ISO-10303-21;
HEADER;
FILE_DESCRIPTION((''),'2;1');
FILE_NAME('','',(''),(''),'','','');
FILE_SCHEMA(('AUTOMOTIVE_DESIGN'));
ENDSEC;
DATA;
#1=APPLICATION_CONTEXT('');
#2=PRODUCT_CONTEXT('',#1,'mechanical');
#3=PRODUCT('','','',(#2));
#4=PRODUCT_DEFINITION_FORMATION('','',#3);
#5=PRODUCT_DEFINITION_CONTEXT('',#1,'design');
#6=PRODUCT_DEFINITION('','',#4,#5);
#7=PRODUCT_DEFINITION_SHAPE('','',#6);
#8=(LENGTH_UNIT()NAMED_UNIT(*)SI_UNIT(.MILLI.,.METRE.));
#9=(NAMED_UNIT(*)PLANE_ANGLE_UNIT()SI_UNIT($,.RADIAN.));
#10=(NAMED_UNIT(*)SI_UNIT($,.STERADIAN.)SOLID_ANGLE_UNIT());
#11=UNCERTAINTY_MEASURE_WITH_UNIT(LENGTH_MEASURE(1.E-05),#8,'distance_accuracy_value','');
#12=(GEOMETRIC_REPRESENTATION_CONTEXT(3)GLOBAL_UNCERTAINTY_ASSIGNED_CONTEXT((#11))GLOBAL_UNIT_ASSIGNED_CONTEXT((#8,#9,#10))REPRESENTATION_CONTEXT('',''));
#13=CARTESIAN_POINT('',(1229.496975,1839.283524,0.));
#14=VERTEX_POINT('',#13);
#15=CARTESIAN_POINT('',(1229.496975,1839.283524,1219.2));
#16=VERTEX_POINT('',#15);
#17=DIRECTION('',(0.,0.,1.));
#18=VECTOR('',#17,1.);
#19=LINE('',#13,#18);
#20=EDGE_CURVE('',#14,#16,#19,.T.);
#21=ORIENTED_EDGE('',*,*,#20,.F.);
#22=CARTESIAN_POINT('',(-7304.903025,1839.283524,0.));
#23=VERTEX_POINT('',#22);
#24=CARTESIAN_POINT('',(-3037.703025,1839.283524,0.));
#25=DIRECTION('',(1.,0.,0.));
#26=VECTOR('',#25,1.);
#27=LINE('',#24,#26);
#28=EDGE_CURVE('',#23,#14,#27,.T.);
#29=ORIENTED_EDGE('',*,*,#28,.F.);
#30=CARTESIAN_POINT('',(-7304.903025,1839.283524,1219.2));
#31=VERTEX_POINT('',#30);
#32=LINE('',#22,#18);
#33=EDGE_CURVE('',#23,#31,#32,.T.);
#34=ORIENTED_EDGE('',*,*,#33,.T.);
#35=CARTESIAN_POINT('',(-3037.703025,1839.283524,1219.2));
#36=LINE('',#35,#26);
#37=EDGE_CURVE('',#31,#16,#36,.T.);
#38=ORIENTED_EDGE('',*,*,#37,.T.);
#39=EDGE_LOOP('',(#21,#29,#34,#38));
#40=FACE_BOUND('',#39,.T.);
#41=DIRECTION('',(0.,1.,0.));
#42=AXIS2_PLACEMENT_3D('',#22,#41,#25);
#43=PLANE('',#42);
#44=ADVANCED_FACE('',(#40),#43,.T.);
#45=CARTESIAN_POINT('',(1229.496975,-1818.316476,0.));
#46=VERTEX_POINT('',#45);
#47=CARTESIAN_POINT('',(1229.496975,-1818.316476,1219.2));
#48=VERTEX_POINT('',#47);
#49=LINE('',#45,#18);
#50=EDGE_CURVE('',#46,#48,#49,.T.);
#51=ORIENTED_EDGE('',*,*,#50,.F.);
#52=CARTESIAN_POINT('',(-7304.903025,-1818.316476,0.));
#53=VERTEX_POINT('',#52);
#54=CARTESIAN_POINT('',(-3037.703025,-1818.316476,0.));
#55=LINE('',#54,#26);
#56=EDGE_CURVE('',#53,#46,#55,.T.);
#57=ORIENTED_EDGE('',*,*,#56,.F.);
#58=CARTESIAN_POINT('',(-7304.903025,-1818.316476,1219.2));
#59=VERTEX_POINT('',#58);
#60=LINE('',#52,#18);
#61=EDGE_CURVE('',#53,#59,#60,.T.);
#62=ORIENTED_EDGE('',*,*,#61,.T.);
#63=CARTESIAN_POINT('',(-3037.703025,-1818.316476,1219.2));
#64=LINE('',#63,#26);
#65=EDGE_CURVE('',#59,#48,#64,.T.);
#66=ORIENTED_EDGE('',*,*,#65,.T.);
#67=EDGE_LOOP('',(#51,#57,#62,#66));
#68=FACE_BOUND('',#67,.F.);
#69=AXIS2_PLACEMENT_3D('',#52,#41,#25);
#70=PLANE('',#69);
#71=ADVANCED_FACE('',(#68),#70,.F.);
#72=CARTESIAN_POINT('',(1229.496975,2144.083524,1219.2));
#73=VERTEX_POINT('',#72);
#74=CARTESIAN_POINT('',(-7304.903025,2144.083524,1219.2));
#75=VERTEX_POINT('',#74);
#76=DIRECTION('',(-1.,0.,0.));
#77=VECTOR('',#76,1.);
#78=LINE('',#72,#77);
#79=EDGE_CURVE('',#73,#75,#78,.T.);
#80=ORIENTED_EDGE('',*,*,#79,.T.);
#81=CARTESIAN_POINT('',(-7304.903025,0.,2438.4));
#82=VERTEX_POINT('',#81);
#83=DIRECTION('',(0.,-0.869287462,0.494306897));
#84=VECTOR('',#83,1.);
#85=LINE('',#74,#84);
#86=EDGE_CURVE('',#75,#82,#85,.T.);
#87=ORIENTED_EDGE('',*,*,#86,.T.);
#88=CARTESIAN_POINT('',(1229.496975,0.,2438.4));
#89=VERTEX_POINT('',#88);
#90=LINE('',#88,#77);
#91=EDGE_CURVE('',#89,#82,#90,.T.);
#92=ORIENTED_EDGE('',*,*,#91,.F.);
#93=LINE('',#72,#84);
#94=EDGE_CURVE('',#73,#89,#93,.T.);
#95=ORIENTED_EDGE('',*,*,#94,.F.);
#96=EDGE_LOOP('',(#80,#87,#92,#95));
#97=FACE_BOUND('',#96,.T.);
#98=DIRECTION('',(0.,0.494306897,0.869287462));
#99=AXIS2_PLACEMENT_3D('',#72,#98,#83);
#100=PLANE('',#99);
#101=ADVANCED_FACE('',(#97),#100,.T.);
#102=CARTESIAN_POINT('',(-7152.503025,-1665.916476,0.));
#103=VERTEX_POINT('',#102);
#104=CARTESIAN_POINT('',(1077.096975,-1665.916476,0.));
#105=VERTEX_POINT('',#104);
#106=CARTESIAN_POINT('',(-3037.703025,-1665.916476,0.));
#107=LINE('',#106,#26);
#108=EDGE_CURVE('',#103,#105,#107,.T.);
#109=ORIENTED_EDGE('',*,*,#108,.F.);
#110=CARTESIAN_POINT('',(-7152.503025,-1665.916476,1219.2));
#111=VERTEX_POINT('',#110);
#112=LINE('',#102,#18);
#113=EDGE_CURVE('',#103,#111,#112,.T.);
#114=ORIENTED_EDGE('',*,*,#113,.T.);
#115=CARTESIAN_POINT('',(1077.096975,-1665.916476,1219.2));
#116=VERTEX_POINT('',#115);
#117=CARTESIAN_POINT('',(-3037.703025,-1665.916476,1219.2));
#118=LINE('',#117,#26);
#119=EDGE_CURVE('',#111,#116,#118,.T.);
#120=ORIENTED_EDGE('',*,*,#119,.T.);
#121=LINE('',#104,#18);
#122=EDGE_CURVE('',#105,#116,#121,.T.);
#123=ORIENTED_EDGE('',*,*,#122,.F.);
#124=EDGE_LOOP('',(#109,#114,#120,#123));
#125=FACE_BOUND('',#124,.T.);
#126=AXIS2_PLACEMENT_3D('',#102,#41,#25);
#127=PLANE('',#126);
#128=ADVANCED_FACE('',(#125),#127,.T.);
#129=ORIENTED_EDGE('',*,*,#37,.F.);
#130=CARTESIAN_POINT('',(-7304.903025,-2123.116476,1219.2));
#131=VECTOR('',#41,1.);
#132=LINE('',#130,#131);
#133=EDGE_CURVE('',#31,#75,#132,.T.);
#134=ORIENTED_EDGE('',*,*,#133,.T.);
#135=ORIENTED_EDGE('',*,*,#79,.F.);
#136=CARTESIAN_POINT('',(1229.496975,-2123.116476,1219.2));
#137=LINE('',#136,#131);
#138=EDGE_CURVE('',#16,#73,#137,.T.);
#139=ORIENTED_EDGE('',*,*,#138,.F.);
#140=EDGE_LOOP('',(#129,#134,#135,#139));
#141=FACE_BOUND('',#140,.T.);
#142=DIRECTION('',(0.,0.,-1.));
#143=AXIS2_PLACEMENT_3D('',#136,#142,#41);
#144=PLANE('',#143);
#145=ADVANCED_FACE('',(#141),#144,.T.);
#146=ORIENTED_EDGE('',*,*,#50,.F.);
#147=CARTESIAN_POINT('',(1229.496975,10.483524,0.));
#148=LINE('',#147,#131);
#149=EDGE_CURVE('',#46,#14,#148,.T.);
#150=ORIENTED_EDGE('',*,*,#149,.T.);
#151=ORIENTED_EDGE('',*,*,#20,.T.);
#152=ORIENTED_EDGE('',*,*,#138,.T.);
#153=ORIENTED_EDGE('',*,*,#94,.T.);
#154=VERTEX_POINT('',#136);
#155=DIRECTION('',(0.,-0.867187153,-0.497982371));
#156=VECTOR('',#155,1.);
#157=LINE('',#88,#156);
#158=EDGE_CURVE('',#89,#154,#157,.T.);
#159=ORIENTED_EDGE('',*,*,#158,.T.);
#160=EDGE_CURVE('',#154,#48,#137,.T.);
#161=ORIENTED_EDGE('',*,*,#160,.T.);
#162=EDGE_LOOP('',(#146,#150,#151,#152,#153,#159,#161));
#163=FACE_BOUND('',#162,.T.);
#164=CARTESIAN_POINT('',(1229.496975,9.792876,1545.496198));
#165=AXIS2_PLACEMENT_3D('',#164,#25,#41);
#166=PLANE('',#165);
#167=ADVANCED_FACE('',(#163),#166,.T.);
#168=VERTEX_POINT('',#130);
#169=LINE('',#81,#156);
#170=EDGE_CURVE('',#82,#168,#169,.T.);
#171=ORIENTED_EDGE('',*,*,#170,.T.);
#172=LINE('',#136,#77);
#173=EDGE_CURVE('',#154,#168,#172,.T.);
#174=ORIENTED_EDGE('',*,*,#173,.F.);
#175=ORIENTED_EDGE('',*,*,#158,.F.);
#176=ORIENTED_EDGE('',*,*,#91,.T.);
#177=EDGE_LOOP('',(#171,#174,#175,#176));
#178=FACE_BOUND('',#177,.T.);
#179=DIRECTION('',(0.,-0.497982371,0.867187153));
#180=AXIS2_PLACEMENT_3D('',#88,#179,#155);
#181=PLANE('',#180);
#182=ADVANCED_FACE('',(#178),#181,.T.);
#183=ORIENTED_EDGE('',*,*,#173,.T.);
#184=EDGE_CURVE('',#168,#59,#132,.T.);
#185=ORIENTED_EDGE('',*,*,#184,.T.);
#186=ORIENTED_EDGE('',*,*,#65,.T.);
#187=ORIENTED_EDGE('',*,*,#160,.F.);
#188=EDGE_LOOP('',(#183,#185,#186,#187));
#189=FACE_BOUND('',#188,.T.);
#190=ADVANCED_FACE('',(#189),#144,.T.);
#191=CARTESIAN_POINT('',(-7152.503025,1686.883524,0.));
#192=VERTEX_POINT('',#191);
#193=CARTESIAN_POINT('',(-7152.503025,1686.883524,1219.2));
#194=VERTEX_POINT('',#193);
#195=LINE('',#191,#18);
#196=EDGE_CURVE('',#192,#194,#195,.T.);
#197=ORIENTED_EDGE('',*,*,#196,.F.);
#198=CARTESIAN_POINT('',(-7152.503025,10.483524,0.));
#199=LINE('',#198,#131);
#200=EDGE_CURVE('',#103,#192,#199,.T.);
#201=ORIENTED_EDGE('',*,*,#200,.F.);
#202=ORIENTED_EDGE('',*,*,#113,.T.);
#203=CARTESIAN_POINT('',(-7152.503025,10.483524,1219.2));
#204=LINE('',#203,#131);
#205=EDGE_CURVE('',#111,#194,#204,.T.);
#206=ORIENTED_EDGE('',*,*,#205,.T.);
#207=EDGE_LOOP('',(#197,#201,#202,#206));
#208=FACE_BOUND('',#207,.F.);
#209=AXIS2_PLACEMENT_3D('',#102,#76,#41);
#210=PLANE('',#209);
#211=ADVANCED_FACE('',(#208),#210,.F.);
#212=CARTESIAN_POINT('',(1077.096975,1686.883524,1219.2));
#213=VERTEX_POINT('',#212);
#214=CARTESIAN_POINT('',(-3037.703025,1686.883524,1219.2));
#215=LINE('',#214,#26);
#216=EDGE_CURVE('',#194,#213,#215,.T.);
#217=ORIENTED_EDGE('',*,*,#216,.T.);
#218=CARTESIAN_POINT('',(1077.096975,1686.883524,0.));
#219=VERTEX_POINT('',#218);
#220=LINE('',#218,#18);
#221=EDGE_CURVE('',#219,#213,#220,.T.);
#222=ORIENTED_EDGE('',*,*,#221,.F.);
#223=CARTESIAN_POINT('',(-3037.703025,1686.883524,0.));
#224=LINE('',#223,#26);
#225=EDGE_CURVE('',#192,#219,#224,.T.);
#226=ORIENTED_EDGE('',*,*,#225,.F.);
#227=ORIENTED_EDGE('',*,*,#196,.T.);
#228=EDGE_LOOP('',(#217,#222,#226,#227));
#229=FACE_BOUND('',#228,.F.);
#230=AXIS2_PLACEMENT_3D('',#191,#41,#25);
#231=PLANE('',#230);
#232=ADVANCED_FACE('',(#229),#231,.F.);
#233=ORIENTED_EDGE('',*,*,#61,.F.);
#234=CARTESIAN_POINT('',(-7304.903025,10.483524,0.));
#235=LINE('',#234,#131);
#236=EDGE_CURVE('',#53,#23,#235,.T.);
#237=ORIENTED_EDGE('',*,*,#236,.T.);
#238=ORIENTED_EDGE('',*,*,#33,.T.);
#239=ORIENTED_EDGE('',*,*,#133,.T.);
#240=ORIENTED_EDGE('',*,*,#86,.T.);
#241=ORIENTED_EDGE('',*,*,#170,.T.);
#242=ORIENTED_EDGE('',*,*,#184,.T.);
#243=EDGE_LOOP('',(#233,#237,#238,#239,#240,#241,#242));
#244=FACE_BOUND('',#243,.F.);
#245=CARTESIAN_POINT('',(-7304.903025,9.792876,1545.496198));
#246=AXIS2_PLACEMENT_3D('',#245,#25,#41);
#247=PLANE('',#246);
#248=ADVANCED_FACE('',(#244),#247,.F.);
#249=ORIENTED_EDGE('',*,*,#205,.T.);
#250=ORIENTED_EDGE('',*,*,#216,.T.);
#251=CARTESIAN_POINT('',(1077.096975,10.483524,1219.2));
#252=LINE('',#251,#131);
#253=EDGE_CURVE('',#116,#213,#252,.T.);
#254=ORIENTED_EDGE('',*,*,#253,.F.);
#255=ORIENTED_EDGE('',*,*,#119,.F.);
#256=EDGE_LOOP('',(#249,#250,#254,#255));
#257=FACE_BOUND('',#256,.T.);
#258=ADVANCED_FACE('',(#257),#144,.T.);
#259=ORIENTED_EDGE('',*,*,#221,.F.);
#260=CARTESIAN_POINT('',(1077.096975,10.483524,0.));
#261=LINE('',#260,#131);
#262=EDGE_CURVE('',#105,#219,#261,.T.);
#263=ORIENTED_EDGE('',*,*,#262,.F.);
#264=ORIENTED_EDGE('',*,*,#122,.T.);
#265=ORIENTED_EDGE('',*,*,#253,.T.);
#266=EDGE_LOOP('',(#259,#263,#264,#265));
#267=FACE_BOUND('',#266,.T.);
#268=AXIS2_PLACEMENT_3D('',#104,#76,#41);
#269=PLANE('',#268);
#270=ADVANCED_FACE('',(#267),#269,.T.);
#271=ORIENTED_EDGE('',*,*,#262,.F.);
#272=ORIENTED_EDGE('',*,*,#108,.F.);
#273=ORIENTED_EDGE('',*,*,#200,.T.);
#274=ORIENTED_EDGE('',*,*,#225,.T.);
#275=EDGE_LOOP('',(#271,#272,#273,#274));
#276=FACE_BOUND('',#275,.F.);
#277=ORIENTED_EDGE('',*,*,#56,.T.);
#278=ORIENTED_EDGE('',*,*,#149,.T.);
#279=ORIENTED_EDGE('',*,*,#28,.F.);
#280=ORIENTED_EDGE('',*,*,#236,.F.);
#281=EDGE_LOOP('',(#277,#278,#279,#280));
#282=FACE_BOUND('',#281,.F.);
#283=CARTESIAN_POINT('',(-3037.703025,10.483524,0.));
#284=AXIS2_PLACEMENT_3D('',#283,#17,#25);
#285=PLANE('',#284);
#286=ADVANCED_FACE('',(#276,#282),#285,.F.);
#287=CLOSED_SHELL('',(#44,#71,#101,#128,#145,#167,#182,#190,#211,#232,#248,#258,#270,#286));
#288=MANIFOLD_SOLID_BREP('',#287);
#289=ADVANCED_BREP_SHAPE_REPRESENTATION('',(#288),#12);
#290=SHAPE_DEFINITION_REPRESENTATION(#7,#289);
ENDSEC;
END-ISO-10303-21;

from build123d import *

# Parameters (mm, degrees)
F0_W     = 8534.4
F0_H     = 3657.6
F0_W_2   = 8229.6
F0_H_2   = 3352.8
F1_DEPTH = 1219.2
F3_DEPTH = 8534.4


with BuildPart() as f1:
    # F0 (on Top) → F1 (new body)
    with BuildSketch(Plane.XY):
        with Locations((-3037.703025, 10.483524)):
            Rectangle(F0_W, F0_H)
        with Locations((-3037.703025, 10.483524)):
            Rectangle(F0_W_2, F0_H_2, mode=Mode.SUBTRACT)
    extrude(amount=F1_DEPTH)

    # F2 (on face) → F3 (join)
    with BuildSketch(Plane.YZ.offset(1229.496975)):
        Polygon((-2123.116476, 1219.2), (-1818.316476, 1219.2), (1839.283524, 1219.2), (2144.083524, 1219.2), (0, 2438.4), align=None)
    extrude(amount=-F3_DEPTH)


solid = f1.part
